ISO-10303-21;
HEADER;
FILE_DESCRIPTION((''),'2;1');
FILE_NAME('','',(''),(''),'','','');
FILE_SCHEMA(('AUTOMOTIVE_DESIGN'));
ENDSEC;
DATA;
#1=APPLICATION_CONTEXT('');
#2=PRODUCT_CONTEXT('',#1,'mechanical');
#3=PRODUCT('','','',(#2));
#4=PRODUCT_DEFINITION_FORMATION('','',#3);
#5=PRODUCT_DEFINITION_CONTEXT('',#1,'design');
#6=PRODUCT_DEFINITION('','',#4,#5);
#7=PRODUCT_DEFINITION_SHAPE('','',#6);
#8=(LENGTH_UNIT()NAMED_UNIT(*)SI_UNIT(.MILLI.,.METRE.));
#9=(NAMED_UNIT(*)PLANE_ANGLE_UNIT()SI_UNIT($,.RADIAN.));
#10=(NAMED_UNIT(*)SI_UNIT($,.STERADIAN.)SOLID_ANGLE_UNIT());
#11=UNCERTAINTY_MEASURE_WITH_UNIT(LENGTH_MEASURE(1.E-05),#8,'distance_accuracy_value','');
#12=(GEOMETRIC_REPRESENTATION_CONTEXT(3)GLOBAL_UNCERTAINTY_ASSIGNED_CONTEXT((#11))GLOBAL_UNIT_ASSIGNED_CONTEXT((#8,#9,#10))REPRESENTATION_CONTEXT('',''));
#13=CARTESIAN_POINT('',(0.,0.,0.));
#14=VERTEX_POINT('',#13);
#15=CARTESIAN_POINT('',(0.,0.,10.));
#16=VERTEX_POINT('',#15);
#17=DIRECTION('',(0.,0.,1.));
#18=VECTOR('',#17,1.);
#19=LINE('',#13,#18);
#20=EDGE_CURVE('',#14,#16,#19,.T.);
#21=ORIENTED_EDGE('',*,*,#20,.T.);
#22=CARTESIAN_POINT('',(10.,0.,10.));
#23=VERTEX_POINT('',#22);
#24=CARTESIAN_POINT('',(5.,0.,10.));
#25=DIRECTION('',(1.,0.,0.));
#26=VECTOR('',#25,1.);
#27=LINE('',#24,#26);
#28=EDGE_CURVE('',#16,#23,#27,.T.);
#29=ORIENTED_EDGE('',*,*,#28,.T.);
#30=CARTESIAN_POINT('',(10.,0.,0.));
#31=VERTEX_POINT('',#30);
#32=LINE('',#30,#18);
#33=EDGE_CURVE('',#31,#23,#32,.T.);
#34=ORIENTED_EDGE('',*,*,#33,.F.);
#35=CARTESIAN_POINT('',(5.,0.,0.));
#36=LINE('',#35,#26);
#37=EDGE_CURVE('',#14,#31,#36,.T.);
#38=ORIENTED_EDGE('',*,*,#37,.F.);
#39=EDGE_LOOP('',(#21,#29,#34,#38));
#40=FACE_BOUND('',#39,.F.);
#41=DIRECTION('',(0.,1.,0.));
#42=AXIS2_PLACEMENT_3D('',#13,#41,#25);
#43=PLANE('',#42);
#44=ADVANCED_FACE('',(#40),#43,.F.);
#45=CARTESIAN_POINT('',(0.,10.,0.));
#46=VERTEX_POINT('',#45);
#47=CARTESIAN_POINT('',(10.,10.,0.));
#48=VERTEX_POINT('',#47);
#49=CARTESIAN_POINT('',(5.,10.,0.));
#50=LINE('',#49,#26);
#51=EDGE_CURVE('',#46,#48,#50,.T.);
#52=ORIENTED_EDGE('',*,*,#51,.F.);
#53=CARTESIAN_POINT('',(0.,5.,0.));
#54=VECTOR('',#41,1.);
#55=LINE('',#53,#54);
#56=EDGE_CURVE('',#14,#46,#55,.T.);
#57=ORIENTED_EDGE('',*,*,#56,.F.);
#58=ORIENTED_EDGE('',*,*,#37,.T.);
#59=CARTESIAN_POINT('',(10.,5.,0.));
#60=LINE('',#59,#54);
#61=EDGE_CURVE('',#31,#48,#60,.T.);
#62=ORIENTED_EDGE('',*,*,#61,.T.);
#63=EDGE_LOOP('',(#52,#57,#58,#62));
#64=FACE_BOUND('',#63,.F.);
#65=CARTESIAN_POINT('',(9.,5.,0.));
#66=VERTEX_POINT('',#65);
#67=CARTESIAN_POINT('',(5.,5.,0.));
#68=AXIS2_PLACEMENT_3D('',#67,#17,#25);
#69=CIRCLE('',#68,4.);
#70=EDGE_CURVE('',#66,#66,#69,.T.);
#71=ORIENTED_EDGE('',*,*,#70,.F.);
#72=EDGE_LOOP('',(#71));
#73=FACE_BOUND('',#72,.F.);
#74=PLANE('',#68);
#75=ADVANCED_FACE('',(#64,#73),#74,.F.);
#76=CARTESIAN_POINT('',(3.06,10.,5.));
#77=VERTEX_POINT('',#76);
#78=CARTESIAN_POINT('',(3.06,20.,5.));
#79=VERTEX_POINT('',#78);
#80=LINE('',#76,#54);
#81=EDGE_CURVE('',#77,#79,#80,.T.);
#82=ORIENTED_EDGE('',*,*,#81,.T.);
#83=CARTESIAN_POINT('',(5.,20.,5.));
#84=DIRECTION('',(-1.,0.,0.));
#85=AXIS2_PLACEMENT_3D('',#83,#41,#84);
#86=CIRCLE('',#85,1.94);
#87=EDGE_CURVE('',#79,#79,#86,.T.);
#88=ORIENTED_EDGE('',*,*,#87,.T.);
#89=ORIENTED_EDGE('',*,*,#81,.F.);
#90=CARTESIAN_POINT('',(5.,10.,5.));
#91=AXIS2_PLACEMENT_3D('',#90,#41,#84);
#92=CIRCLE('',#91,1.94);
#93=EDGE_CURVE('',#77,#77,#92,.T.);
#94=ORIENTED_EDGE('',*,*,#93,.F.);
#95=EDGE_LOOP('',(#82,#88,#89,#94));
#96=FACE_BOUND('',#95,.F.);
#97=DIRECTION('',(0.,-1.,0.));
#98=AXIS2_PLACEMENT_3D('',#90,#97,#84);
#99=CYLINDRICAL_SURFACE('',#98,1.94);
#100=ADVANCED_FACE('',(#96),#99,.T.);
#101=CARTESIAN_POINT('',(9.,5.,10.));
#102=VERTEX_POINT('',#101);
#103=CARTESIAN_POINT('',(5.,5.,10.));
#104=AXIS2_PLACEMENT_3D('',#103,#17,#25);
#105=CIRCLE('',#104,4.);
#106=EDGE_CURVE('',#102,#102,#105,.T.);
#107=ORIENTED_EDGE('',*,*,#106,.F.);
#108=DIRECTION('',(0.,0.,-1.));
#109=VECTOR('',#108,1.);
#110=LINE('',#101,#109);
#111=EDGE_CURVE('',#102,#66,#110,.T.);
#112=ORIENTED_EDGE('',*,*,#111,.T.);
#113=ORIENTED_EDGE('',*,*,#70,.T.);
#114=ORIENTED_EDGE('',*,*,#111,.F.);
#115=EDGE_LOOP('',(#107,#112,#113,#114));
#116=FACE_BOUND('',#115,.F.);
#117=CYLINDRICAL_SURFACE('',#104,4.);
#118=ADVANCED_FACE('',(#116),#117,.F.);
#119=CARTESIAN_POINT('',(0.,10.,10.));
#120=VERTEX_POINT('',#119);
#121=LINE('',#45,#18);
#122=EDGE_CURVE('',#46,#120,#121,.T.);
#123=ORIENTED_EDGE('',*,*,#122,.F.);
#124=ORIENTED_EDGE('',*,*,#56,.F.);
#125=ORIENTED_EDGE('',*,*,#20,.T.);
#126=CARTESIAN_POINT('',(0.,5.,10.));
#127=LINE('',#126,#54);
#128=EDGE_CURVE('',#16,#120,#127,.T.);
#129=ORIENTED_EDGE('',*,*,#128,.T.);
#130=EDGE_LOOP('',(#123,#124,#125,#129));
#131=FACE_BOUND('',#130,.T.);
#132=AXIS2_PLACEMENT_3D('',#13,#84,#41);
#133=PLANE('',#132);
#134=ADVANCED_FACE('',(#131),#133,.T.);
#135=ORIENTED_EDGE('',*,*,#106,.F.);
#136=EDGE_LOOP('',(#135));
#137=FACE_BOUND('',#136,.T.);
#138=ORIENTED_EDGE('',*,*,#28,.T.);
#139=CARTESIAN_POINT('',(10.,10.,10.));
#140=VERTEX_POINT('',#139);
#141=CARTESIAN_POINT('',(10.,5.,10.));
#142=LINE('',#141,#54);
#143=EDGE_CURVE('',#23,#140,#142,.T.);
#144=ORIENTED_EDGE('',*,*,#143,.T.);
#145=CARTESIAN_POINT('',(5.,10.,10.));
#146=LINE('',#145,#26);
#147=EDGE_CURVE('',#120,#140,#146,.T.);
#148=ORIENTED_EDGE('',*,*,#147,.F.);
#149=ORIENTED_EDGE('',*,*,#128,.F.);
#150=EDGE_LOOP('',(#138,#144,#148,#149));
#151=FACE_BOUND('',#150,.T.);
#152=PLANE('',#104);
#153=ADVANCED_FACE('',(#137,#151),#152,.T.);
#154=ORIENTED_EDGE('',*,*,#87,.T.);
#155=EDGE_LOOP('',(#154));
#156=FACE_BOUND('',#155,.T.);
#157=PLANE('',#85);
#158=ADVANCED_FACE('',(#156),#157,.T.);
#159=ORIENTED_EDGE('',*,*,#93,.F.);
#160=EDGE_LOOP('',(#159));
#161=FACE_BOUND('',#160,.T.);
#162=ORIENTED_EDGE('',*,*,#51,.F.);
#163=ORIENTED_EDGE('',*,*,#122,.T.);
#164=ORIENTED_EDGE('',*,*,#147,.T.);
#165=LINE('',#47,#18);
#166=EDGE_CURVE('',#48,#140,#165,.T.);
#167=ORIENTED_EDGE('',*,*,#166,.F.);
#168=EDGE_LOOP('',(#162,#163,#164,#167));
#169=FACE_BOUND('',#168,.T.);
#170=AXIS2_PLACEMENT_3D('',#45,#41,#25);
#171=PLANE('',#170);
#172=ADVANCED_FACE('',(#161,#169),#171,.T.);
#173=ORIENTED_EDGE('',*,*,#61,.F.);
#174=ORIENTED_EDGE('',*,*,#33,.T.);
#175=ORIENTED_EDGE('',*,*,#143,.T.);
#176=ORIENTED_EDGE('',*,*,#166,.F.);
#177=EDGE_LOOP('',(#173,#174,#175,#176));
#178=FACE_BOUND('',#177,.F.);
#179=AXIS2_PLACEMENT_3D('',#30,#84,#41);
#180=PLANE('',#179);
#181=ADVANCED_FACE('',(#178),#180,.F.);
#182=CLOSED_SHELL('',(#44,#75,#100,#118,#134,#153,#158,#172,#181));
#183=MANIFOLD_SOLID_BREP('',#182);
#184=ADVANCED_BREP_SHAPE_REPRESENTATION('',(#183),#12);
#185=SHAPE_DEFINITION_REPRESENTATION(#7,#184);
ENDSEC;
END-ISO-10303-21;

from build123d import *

# Parameters (mm, degrees)
BOX_W        = 10
BOX_H        = 10
BOX_DEPTH    = 10
SKETCH_R     = 4
POCKET_DEPTH = 15
SKETCH001_R  = 1.94
PAD_DEPTH    = 10


with BuildPart() as part:
    # Box → Box (new body)
    with BuildSketch(Plane.XY):
        with Locations((5, 5)):
            Rectangle(BOX_W, BOX_H)
    extrude(amount=BOX_DEPTH)

    # Sketch (on Face6 of BaseFeature) → Pocket (cut)
    with BuildSketch(Plane.XY.offset(10)):
        with Locations((5, 5)):
            Circle(SKETCH_R)
    extrude(amount=-POCKET_DEPTH, mode=Mode.SUBTRACT)

    # Sketch001 (on Face4 of Pocket) → Pad (join)
    with BuildSketch(Plane(origin=(0, 10, 0), x_dir=(-1, 0, 0), z_dir=(0, 1, 0))):
        with Locations((-5, 5)):
            Circle(SKETCH001_R)
    extrude(amount=PAD_DEPTH)


solid = part.part
